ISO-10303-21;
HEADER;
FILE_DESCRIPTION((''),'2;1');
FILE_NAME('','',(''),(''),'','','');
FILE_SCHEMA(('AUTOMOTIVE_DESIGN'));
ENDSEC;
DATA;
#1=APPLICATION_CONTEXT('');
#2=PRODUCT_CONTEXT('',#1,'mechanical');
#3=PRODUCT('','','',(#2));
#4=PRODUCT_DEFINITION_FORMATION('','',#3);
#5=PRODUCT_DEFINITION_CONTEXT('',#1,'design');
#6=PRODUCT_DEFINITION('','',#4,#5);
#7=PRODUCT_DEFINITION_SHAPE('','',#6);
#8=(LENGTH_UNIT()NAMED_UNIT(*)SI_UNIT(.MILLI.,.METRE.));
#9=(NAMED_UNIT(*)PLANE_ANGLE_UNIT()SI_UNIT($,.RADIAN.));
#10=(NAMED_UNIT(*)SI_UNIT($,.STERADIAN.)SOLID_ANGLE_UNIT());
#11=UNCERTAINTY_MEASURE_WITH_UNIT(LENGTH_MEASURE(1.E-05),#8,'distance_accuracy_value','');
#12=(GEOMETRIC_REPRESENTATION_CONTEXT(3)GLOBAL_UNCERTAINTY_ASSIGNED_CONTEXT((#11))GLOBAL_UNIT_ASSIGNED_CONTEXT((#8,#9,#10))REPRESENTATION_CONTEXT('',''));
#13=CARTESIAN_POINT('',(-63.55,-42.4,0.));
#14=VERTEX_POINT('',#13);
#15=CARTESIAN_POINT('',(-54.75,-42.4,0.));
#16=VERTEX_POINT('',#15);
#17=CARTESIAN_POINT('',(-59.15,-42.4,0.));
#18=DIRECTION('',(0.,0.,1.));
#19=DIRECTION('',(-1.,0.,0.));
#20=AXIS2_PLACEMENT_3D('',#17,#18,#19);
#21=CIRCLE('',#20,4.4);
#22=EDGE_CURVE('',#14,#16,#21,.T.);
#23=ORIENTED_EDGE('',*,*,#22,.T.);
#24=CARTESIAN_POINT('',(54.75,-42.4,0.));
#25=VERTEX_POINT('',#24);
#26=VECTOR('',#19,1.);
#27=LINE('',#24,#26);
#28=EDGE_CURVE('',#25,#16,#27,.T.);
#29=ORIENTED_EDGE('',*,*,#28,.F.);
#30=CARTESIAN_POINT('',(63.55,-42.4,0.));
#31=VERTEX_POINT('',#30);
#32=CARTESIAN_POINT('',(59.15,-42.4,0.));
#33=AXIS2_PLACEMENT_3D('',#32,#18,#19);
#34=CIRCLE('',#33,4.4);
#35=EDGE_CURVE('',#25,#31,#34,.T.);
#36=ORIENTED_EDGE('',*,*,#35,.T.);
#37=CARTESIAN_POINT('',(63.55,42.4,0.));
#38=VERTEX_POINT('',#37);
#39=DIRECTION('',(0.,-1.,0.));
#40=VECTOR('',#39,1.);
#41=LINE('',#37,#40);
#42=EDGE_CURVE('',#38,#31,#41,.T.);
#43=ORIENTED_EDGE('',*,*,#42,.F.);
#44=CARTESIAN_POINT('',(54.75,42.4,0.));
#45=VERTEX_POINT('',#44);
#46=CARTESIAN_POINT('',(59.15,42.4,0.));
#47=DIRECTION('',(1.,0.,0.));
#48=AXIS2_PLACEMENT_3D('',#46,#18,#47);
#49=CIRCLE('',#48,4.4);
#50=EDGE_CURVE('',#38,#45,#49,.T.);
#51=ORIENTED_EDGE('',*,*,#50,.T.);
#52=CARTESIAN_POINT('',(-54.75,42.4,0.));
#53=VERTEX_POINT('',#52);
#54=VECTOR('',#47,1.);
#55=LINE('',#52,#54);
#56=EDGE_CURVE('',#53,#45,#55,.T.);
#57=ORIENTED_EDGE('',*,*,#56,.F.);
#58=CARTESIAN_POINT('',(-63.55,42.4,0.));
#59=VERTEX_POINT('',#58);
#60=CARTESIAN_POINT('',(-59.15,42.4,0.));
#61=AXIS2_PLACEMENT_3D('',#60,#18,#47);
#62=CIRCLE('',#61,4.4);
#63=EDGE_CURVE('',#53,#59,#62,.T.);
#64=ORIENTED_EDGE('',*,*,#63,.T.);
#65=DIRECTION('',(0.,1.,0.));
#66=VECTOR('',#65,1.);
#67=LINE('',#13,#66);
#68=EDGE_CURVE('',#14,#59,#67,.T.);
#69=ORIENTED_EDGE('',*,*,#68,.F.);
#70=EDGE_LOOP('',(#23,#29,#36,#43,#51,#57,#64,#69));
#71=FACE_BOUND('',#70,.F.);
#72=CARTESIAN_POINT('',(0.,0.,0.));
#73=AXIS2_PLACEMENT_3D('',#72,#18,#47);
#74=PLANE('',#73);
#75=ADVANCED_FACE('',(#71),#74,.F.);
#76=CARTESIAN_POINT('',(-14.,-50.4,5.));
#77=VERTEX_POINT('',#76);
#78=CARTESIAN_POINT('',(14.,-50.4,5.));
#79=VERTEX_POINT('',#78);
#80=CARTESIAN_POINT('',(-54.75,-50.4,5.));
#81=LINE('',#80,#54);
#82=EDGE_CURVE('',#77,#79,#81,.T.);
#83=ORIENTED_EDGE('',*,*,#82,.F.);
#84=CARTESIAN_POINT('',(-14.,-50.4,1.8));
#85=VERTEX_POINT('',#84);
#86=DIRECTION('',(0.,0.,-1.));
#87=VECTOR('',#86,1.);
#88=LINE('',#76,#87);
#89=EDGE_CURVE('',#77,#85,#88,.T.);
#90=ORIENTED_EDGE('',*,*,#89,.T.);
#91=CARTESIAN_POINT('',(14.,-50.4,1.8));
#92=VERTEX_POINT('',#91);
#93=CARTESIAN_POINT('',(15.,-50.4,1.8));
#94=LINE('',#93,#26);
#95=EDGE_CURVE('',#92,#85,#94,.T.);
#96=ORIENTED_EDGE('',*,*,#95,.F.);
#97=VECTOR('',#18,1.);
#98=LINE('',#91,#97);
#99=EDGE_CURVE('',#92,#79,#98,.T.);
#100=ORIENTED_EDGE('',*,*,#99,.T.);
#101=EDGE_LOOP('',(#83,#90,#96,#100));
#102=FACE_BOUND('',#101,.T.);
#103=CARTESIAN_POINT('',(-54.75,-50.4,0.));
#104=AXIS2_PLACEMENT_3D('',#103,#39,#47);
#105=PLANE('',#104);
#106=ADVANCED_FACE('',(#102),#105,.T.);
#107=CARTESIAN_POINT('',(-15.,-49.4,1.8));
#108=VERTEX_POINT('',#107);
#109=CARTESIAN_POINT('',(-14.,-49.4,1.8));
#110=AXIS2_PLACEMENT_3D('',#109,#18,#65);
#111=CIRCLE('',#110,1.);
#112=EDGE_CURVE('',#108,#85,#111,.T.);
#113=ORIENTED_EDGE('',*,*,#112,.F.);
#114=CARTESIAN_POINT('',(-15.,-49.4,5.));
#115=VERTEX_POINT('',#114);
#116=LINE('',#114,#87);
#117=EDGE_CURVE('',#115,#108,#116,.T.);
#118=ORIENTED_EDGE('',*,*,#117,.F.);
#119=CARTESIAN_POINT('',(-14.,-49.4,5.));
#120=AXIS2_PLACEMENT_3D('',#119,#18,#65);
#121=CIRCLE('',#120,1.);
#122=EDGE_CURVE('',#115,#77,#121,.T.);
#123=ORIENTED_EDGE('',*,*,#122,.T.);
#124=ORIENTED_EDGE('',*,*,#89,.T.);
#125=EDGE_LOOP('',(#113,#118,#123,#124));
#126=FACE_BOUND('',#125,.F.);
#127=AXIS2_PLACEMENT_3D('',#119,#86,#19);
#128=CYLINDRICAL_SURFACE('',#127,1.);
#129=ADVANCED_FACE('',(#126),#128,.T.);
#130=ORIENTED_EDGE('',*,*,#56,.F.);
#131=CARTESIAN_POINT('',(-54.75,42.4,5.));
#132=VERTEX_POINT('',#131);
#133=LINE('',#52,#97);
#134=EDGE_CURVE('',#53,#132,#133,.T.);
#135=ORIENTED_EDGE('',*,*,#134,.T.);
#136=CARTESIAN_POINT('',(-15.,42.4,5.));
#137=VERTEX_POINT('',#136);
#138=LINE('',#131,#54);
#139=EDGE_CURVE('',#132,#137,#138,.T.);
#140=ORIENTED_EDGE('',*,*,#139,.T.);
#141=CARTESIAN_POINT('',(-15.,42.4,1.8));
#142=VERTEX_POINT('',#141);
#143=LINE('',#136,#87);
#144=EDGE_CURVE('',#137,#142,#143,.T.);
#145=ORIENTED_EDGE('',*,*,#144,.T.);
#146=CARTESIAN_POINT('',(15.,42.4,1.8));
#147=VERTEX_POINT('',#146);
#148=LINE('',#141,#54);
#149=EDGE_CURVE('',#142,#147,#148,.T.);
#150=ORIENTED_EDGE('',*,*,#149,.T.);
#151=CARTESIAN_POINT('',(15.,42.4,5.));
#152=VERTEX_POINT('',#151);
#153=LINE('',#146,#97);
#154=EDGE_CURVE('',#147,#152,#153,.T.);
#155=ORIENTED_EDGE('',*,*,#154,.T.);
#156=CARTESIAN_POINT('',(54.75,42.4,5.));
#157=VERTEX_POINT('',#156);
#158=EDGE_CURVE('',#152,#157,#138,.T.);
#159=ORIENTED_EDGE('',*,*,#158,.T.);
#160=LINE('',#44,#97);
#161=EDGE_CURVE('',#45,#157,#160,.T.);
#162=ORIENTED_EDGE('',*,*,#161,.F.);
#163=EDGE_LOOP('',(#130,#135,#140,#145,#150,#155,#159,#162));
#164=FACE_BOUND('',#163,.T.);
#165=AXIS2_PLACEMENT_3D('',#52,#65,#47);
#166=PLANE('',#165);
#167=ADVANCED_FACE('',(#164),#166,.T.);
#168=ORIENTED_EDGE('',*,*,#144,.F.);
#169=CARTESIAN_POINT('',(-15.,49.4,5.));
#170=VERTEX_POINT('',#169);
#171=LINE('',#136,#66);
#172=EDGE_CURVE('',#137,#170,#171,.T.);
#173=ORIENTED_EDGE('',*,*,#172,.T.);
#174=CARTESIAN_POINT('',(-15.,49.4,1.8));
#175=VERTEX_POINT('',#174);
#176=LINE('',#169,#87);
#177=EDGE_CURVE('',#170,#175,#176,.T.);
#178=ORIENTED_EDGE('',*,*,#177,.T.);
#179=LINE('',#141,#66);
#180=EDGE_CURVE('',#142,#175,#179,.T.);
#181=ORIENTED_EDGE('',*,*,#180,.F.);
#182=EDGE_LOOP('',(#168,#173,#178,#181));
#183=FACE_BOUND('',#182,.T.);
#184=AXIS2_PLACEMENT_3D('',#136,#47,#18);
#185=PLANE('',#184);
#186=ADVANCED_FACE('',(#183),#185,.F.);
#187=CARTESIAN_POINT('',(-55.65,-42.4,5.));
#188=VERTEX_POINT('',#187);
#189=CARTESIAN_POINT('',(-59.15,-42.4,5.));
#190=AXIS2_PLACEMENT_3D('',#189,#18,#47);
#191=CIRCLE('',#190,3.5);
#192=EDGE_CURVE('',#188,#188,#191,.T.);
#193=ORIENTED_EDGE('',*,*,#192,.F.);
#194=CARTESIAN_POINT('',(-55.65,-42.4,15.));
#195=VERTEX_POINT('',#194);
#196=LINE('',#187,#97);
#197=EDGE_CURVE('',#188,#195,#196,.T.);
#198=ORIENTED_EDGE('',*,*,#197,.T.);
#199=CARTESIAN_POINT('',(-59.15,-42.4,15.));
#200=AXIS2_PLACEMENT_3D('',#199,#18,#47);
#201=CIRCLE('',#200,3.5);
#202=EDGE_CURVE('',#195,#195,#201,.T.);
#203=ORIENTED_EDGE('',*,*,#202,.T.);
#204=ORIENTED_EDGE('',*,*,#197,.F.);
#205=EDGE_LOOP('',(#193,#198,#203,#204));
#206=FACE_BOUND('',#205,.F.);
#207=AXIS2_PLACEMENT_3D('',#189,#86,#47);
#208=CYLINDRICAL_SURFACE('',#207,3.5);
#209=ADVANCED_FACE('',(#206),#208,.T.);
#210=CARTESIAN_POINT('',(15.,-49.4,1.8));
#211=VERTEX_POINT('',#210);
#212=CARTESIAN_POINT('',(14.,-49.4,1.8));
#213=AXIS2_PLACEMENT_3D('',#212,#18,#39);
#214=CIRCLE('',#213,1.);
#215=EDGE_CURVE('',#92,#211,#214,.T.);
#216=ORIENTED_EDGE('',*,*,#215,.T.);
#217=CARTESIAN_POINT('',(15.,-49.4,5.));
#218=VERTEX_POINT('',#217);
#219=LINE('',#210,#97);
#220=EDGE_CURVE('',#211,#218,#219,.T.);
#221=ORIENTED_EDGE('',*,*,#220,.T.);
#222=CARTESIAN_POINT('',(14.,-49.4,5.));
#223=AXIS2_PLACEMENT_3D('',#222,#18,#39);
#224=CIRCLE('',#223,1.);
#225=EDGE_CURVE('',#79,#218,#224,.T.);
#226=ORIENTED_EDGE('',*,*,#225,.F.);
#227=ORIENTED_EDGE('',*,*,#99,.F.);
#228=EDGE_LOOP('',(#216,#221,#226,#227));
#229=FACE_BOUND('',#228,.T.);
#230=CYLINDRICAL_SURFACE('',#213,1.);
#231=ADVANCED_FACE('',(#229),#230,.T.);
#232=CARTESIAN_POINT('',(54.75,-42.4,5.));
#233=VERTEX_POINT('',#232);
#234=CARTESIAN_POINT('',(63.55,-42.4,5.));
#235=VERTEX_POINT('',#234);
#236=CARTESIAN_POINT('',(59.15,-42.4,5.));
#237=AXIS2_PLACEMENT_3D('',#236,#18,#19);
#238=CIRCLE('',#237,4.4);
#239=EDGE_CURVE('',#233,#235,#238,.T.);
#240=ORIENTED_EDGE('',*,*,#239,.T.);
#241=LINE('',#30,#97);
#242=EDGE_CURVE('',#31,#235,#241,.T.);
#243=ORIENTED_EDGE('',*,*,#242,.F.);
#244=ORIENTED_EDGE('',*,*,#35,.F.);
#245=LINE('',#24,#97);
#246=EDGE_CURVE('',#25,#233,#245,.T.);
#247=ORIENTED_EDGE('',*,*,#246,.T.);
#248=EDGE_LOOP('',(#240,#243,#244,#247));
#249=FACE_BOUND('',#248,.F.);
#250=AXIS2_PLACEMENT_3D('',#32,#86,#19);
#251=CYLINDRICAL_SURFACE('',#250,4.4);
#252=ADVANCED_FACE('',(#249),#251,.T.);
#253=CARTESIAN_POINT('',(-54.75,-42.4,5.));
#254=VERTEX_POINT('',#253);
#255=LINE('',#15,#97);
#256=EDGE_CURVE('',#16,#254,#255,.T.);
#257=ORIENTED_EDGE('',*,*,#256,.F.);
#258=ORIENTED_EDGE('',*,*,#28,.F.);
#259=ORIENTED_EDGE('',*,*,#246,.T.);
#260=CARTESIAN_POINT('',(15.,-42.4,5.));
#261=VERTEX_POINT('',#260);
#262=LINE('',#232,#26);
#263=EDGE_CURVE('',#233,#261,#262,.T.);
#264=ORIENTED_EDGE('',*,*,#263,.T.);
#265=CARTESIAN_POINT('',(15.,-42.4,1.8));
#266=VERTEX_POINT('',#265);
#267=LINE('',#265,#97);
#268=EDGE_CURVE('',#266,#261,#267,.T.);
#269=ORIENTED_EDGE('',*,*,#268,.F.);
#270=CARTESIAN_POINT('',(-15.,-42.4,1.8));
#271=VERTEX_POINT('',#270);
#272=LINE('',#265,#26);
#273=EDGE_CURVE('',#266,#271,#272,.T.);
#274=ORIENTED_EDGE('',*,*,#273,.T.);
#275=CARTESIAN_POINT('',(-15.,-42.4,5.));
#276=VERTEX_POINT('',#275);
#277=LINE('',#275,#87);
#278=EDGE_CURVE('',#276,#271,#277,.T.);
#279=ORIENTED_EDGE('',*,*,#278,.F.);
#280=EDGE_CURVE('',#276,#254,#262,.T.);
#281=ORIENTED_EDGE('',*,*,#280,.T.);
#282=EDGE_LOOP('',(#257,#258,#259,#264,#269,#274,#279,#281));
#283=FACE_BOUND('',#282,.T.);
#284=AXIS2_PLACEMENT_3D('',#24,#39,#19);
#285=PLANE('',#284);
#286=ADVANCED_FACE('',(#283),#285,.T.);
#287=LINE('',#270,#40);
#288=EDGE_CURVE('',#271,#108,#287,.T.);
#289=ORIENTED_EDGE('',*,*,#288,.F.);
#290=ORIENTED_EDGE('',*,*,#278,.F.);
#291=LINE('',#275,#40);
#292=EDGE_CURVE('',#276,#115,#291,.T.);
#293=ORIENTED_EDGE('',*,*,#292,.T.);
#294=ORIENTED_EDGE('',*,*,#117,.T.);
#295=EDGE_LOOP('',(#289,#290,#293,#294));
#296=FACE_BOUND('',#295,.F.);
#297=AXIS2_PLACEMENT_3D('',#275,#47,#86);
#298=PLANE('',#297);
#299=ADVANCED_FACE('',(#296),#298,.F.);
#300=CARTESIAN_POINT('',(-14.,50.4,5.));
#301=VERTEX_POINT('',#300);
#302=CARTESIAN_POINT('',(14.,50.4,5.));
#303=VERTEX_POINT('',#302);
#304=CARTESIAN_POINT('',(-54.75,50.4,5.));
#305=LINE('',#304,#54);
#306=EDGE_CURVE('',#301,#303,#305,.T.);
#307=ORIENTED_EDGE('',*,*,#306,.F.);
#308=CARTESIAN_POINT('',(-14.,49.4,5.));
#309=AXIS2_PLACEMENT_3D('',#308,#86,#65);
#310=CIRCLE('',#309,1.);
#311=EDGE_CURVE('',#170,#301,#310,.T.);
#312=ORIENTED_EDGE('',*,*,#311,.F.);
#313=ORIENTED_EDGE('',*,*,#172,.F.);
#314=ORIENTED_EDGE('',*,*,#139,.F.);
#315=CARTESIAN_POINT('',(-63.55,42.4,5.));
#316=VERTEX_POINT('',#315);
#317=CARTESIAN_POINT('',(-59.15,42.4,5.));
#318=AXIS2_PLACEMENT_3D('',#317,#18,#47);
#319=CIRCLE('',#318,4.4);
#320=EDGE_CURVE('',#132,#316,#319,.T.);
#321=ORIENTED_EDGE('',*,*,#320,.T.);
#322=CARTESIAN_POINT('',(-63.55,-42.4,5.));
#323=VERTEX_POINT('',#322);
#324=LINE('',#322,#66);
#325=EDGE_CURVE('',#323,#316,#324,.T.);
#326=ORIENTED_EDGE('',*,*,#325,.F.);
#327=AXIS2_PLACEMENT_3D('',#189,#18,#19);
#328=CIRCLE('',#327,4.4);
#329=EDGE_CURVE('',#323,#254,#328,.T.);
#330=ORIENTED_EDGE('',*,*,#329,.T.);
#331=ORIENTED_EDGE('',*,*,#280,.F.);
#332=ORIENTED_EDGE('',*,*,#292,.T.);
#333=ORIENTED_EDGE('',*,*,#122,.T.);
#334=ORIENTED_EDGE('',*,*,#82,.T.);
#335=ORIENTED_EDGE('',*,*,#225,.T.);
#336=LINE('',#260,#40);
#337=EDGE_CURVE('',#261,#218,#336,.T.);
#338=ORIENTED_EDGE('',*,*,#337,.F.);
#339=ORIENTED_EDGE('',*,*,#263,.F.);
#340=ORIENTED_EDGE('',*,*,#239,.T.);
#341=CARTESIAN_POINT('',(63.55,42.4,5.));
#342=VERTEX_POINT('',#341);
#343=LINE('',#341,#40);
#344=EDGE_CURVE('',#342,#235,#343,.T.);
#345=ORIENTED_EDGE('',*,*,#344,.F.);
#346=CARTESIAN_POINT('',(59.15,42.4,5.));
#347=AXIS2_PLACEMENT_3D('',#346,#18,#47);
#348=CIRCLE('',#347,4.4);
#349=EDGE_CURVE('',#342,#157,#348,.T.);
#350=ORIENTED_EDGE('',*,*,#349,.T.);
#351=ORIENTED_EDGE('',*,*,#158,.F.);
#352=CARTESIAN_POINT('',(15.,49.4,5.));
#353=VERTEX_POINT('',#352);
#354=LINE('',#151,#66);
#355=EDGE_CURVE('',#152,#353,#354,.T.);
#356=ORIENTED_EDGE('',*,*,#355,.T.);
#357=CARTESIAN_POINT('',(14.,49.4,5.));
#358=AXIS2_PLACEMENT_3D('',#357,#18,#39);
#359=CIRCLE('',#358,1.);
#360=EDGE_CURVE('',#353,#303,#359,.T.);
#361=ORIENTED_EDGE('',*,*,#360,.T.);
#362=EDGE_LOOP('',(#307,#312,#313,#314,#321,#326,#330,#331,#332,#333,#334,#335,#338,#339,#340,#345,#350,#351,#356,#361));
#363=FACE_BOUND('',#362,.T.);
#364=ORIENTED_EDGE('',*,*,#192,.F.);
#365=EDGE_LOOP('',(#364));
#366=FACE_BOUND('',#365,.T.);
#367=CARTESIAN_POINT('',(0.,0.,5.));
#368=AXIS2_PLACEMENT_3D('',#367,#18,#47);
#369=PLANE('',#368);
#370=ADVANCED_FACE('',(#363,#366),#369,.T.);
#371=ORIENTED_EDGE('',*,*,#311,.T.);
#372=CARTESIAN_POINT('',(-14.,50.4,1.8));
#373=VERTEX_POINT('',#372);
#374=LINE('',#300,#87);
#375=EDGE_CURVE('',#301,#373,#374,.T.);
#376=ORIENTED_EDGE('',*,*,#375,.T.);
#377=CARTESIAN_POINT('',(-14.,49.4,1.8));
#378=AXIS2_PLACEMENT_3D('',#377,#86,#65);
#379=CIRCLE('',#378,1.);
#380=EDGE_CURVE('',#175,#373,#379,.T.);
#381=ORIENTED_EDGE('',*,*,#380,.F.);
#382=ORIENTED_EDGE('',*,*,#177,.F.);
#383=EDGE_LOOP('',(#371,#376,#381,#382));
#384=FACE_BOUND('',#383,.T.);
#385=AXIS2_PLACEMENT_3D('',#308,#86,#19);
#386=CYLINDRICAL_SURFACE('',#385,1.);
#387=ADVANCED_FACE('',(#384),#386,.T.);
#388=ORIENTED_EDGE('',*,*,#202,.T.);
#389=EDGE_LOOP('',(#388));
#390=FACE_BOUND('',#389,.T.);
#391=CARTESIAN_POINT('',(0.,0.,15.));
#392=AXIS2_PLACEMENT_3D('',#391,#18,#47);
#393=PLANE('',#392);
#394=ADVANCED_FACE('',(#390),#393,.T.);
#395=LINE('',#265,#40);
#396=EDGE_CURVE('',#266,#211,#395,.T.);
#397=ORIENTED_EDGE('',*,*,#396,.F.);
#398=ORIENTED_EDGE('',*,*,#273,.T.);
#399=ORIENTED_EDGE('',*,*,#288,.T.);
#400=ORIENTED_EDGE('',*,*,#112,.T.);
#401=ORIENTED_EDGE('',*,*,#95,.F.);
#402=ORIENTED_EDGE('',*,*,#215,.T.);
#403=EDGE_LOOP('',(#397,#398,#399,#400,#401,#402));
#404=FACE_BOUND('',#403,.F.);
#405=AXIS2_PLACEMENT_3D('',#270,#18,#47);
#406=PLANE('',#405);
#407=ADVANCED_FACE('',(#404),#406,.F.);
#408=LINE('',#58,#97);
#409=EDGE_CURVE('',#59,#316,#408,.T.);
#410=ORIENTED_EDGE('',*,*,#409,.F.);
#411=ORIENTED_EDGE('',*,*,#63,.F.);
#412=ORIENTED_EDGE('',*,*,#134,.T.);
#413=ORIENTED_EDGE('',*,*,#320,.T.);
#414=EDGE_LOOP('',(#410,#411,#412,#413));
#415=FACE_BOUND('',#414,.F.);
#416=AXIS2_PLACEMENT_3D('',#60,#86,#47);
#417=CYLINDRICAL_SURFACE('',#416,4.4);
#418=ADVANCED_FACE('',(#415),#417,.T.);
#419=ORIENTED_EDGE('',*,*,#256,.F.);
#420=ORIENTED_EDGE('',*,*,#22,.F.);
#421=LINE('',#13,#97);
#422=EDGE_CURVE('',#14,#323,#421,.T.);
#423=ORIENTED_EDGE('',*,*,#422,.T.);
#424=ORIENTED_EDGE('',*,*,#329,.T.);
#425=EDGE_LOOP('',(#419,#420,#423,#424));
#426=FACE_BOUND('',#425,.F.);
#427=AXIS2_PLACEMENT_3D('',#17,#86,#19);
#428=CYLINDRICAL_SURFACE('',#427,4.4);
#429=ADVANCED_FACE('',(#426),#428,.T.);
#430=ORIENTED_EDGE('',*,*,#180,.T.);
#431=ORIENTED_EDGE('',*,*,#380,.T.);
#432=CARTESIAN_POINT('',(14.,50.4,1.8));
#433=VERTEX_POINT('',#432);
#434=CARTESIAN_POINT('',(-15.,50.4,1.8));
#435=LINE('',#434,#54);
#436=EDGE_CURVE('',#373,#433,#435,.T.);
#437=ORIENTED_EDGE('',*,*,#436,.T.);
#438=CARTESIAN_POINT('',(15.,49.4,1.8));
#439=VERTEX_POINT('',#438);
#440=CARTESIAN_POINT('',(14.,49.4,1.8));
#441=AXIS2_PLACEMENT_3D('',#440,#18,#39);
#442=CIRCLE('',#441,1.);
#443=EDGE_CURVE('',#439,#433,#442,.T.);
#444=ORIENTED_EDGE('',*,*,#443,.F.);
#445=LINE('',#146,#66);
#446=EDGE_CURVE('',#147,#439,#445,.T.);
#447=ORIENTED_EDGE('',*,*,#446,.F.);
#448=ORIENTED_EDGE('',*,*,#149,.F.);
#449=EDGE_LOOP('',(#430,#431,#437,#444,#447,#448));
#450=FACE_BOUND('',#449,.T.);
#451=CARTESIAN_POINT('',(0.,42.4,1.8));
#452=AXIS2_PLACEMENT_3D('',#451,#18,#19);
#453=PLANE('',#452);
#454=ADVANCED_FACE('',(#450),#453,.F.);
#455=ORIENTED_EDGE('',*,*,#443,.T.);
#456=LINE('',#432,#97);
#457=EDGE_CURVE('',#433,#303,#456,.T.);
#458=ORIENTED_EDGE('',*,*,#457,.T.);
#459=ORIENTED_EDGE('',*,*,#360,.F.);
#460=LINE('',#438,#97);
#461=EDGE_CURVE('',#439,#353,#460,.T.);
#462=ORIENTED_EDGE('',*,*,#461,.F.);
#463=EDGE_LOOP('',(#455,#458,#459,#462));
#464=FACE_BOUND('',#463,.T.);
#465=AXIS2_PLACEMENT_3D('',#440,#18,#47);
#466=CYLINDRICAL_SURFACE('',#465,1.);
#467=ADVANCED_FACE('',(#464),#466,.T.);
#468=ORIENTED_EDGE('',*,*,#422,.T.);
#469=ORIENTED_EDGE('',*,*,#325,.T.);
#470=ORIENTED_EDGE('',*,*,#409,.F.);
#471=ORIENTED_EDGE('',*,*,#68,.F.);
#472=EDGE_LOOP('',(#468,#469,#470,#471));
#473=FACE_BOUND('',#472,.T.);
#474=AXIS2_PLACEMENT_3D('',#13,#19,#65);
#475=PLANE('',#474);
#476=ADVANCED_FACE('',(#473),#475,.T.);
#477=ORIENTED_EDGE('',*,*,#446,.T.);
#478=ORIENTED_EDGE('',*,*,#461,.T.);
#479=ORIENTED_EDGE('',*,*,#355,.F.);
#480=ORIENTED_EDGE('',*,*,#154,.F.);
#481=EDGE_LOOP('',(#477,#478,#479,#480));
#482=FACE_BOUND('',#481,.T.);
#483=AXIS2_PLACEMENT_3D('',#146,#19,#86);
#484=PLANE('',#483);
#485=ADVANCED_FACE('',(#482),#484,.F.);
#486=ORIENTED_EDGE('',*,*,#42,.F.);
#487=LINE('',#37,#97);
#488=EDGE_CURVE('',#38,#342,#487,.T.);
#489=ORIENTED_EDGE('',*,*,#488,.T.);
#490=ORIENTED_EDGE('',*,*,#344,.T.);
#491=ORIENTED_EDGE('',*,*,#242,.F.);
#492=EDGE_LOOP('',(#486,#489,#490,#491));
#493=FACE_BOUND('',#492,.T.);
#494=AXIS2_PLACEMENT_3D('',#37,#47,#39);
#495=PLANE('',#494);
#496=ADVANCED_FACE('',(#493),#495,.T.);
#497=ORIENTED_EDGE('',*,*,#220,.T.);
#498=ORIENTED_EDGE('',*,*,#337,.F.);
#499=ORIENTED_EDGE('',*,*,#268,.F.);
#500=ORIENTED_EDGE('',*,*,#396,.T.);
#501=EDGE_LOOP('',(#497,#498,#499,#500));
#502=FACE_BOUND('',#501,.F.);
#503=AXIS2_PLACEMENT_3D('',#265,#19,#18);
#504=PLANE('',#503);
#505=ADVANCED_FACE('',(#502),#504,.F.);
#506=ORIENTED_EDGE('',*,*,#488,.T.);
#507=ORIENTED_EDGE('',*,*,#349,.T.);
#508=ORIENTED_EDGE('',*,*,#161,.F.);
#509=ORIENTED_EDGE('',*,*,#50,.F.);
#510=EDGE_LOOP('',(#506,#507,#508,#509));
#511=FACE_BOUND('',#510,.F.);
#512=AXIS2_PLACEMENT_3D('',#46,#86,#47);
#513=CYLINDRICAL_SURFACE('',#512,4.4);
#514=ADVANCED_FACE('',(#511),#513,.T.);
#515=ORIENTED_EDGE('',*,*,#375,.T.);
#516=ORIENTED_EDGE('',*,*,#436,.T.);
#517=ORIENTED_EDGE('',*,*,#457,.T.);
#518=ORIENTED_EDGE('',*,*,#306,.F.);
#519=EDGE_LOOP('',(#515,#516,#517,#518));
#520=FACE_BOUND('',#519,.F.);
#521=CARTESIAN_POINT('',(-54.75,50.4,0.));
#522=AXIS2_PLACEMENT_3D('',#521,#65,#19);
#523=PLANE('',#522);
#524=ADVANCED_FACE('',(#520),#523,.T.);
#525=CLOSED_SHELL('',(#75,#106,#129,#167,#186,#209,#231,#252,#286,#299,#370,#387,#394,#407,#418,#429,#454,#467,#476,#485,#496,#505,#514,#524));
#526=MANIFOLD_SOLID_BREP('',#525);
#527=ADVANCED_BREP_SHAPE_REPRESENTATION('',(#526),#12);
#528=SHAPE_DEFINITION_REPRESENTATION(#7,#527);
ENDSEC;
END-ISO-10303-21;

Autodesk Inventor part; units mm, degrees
ref_plane "YZ Plane" through (0, 0, 0) normal (1, 0, 0) x (0, 1, 0)
ref_plane "XZ Plane" through (0, 0, 0) normal (0, 1, 0) x (-1, 0, 0)
ref_plane "XY Plane" through (0, 0, 0) normal (0, 0, 1) x (1, 0, 0)
sketch "Sketch1" plane through (0, 0, 0) normal (0, 0, 1) x (1, 0, 0)
  line L0 (-54.75, 42.4) -> (54.75, 42.4)
  line L1 (63.55, 42.4) -> (63.55, -42.4)
  line L2 (54.75, -42.4) -> (-54.75, -42.4)
  line L3 (-63.55, -42.4) -> (-63.55, 42.4)
  line L4 (-63.55, 42.4) -> (63.55, -42.4) construction
  line L5 (63.55, 42.4) -> (-63.55, -42.4) construction
  arc A0 (63.55, 42.4) -> (54.75, 42.4) centre (59.15, 42.4) ccw
  line L6 (-63.55, 0) -> (63.55, 0) construction
  line L7 (-8.8, 42.4) -> (-8.8, -42.4) construction
  line L8 (-63.55, 42.4) -> (-54.75, 42.4) construction
  line L9 (-54.75, 42.4) -> (-54.75, 42.4) construction
  arc A1 (-63.55, -42.4) -> (-54.75, -42.4) centre (-59.15, -42.4) ccw
  arc A2 (54.75, -42.4) -> (63.55, -42.4) centre (59.15, -42.4) ccw
  arc A3 (-54.75, 42.4) -> (-63.55, 42.4) centre (-59.15, 42.4) ccw
  point P0 (0, 0)
  dimension "d2" = 127.1
  dimension "d4" = 84.8
  dimension "d10" = 4.4
extrude "Extrusion2" add sketch "Sketch1" along normal blind 5
sketch "Sketch2" plane through (0, 0, 5) normal (0, 0, 1) x (1, 0, 0)
  arc A0 (-63.55, -42.4) -> (-54.75, -42.4) centre (-59.15, -42.4) ccw projected
  circle A1 centre (-59.15, -42.4) radius 3.5
  point P0 (0, 0)
  dimension "d14" = 7
extrude "Extrusion3" add sketch "Sketch2" along normal blind 10
sketch "Sketch3" plane through (-54.75, -42.4, 0) normal (0, -1, 0) x (1, 0, 0)
  line L0 (0, 5) -> (109.5, 5) projected
  line L1 (0, 0) -> (0, 5) projected
  line L2 (54.75, 0) -> (54.75, 1.8) construction
  line L3 (54.75, 1.8) -> (69.75, 1.8)
  line L4 (69.75, 1.8) -> (69.75, 5)
  line L5 (39.75, 5) -> (39.75, 1.8)
  line L6 (39.75, 1.8) -> (54.75, 1.8)
  dimension "d18" = 1.8
  dimension "d19" = 15
extrude "Extrusion4" add sketch "Sketch3" along normal blind 8
ref_plane "Work Plane1" through (-54.75, 0, 0) normal (0, -1, 0) x (1, 0, 0)
mirror "Mirror1" about plane through (-54.75, 0, 0) normal (0, -1, 0) of "Extrusion4"
fillet "Fillet1" radius 1 4 edges at (-15, -50.4, 3.4) (15, -50.4, 3.4) (15, 50.4, 3.4) (-15, 50.4, 3.4)
properties part number "BaseTI stage insert"
